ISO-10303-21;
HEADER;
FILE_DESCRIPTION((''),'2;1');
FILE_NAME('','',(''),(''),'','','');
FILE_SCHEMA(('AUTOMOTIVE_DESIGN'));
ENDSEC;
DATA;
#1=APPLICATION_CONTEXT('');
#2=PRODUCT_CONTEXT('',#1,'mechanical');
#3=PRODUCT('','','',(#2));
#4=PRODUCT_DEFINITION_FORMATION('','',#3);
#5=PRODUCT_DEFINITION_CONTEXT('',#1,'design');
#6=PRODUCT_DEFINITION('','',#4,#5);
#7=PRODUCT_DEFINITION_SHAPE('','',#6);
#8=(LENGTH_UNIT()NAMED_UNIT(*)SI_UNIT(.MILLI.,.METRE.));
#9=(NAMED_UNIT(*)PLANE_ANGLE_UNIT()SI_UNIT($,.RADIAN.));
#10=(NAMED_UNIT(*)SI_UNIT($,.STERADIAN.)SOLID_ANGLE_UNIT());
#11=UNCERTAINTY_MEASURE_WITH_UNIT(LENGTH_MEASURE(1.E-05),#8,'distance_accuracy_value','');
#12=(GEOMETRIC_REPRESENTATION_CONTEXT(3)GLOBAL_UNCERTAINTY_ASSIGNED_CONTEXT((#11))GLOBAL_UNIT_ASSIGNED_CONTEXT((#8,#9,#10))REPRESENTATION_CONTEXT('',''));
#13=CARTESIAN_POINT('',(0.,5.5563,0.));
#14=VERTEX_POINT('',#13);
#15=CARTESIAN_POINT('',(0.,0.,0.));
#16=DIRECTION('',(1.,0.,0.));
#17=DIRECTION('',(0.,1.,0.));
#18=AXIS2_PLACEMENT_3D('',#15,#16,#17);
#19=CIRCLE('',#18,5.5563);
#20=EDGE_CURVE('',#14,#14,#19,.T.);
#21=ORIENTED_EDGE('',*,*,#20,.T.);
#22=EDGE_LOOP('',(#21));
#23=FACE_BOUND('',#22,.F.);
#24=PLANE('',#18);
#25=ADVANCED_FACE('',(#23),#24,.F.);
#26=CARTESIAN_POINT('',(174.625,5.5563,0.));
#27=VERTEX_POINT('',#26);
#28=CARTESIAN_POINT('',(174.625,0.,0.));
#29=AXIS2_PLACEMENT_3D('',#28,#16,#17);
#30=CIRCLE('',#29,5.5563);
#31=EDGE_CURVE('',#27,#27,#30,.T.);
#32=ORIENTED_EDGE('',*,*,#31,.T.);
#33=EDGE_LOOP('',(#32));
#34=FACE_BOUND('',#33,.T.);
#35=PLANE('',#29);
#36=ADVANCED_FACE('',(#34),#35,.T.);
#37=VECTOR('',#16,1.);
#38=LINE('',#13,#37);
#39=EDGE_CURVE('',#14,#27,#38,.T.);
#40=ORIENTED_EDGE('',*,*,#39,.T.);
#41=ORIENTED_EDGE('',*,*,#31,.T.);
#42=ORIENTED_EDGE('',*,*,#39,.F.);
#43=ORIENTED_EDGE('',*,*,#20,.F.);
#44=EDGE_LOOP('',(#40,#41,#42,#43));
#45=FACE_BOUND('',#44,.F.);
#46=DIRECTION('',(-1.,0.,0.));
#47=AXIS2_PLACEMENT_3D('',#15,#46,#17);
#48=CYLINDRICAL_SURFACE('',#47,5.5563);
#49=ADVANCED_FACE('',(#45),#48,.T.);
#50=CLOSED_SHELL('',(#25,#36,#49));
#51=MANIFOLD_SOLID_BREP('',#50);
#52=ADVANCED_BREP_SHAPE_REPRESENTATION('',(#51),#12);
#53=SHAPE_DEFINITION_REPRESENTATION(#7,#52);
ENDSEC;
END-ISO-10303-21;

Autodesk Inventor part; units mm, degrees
ref_plane "YZ Plane" through (0, 0, 0) normal (1, 0, 0) x (0, 1, 0)
ref_plane "XZ Plane" through (0, 0, 0) normal (0, 1, 0) x (-1, 0, 0)
ref_plane "XY Plane" through (0, 0, 0) normal (0, 0, 1) x (1, 0, 0)
sketch "Sketch1" plane through (0, 0, 0) normal (1, 0, 0) x (0, 1, 0)
  circle A0 centre (0, 0) radius 5.5563
  dimension "d0" = 11.1125
extrude "Extrusion1" add sketch "Sketch1" along normal blind 174.625
properties part number "Middle_Pivot" material "Stainless Steel"
